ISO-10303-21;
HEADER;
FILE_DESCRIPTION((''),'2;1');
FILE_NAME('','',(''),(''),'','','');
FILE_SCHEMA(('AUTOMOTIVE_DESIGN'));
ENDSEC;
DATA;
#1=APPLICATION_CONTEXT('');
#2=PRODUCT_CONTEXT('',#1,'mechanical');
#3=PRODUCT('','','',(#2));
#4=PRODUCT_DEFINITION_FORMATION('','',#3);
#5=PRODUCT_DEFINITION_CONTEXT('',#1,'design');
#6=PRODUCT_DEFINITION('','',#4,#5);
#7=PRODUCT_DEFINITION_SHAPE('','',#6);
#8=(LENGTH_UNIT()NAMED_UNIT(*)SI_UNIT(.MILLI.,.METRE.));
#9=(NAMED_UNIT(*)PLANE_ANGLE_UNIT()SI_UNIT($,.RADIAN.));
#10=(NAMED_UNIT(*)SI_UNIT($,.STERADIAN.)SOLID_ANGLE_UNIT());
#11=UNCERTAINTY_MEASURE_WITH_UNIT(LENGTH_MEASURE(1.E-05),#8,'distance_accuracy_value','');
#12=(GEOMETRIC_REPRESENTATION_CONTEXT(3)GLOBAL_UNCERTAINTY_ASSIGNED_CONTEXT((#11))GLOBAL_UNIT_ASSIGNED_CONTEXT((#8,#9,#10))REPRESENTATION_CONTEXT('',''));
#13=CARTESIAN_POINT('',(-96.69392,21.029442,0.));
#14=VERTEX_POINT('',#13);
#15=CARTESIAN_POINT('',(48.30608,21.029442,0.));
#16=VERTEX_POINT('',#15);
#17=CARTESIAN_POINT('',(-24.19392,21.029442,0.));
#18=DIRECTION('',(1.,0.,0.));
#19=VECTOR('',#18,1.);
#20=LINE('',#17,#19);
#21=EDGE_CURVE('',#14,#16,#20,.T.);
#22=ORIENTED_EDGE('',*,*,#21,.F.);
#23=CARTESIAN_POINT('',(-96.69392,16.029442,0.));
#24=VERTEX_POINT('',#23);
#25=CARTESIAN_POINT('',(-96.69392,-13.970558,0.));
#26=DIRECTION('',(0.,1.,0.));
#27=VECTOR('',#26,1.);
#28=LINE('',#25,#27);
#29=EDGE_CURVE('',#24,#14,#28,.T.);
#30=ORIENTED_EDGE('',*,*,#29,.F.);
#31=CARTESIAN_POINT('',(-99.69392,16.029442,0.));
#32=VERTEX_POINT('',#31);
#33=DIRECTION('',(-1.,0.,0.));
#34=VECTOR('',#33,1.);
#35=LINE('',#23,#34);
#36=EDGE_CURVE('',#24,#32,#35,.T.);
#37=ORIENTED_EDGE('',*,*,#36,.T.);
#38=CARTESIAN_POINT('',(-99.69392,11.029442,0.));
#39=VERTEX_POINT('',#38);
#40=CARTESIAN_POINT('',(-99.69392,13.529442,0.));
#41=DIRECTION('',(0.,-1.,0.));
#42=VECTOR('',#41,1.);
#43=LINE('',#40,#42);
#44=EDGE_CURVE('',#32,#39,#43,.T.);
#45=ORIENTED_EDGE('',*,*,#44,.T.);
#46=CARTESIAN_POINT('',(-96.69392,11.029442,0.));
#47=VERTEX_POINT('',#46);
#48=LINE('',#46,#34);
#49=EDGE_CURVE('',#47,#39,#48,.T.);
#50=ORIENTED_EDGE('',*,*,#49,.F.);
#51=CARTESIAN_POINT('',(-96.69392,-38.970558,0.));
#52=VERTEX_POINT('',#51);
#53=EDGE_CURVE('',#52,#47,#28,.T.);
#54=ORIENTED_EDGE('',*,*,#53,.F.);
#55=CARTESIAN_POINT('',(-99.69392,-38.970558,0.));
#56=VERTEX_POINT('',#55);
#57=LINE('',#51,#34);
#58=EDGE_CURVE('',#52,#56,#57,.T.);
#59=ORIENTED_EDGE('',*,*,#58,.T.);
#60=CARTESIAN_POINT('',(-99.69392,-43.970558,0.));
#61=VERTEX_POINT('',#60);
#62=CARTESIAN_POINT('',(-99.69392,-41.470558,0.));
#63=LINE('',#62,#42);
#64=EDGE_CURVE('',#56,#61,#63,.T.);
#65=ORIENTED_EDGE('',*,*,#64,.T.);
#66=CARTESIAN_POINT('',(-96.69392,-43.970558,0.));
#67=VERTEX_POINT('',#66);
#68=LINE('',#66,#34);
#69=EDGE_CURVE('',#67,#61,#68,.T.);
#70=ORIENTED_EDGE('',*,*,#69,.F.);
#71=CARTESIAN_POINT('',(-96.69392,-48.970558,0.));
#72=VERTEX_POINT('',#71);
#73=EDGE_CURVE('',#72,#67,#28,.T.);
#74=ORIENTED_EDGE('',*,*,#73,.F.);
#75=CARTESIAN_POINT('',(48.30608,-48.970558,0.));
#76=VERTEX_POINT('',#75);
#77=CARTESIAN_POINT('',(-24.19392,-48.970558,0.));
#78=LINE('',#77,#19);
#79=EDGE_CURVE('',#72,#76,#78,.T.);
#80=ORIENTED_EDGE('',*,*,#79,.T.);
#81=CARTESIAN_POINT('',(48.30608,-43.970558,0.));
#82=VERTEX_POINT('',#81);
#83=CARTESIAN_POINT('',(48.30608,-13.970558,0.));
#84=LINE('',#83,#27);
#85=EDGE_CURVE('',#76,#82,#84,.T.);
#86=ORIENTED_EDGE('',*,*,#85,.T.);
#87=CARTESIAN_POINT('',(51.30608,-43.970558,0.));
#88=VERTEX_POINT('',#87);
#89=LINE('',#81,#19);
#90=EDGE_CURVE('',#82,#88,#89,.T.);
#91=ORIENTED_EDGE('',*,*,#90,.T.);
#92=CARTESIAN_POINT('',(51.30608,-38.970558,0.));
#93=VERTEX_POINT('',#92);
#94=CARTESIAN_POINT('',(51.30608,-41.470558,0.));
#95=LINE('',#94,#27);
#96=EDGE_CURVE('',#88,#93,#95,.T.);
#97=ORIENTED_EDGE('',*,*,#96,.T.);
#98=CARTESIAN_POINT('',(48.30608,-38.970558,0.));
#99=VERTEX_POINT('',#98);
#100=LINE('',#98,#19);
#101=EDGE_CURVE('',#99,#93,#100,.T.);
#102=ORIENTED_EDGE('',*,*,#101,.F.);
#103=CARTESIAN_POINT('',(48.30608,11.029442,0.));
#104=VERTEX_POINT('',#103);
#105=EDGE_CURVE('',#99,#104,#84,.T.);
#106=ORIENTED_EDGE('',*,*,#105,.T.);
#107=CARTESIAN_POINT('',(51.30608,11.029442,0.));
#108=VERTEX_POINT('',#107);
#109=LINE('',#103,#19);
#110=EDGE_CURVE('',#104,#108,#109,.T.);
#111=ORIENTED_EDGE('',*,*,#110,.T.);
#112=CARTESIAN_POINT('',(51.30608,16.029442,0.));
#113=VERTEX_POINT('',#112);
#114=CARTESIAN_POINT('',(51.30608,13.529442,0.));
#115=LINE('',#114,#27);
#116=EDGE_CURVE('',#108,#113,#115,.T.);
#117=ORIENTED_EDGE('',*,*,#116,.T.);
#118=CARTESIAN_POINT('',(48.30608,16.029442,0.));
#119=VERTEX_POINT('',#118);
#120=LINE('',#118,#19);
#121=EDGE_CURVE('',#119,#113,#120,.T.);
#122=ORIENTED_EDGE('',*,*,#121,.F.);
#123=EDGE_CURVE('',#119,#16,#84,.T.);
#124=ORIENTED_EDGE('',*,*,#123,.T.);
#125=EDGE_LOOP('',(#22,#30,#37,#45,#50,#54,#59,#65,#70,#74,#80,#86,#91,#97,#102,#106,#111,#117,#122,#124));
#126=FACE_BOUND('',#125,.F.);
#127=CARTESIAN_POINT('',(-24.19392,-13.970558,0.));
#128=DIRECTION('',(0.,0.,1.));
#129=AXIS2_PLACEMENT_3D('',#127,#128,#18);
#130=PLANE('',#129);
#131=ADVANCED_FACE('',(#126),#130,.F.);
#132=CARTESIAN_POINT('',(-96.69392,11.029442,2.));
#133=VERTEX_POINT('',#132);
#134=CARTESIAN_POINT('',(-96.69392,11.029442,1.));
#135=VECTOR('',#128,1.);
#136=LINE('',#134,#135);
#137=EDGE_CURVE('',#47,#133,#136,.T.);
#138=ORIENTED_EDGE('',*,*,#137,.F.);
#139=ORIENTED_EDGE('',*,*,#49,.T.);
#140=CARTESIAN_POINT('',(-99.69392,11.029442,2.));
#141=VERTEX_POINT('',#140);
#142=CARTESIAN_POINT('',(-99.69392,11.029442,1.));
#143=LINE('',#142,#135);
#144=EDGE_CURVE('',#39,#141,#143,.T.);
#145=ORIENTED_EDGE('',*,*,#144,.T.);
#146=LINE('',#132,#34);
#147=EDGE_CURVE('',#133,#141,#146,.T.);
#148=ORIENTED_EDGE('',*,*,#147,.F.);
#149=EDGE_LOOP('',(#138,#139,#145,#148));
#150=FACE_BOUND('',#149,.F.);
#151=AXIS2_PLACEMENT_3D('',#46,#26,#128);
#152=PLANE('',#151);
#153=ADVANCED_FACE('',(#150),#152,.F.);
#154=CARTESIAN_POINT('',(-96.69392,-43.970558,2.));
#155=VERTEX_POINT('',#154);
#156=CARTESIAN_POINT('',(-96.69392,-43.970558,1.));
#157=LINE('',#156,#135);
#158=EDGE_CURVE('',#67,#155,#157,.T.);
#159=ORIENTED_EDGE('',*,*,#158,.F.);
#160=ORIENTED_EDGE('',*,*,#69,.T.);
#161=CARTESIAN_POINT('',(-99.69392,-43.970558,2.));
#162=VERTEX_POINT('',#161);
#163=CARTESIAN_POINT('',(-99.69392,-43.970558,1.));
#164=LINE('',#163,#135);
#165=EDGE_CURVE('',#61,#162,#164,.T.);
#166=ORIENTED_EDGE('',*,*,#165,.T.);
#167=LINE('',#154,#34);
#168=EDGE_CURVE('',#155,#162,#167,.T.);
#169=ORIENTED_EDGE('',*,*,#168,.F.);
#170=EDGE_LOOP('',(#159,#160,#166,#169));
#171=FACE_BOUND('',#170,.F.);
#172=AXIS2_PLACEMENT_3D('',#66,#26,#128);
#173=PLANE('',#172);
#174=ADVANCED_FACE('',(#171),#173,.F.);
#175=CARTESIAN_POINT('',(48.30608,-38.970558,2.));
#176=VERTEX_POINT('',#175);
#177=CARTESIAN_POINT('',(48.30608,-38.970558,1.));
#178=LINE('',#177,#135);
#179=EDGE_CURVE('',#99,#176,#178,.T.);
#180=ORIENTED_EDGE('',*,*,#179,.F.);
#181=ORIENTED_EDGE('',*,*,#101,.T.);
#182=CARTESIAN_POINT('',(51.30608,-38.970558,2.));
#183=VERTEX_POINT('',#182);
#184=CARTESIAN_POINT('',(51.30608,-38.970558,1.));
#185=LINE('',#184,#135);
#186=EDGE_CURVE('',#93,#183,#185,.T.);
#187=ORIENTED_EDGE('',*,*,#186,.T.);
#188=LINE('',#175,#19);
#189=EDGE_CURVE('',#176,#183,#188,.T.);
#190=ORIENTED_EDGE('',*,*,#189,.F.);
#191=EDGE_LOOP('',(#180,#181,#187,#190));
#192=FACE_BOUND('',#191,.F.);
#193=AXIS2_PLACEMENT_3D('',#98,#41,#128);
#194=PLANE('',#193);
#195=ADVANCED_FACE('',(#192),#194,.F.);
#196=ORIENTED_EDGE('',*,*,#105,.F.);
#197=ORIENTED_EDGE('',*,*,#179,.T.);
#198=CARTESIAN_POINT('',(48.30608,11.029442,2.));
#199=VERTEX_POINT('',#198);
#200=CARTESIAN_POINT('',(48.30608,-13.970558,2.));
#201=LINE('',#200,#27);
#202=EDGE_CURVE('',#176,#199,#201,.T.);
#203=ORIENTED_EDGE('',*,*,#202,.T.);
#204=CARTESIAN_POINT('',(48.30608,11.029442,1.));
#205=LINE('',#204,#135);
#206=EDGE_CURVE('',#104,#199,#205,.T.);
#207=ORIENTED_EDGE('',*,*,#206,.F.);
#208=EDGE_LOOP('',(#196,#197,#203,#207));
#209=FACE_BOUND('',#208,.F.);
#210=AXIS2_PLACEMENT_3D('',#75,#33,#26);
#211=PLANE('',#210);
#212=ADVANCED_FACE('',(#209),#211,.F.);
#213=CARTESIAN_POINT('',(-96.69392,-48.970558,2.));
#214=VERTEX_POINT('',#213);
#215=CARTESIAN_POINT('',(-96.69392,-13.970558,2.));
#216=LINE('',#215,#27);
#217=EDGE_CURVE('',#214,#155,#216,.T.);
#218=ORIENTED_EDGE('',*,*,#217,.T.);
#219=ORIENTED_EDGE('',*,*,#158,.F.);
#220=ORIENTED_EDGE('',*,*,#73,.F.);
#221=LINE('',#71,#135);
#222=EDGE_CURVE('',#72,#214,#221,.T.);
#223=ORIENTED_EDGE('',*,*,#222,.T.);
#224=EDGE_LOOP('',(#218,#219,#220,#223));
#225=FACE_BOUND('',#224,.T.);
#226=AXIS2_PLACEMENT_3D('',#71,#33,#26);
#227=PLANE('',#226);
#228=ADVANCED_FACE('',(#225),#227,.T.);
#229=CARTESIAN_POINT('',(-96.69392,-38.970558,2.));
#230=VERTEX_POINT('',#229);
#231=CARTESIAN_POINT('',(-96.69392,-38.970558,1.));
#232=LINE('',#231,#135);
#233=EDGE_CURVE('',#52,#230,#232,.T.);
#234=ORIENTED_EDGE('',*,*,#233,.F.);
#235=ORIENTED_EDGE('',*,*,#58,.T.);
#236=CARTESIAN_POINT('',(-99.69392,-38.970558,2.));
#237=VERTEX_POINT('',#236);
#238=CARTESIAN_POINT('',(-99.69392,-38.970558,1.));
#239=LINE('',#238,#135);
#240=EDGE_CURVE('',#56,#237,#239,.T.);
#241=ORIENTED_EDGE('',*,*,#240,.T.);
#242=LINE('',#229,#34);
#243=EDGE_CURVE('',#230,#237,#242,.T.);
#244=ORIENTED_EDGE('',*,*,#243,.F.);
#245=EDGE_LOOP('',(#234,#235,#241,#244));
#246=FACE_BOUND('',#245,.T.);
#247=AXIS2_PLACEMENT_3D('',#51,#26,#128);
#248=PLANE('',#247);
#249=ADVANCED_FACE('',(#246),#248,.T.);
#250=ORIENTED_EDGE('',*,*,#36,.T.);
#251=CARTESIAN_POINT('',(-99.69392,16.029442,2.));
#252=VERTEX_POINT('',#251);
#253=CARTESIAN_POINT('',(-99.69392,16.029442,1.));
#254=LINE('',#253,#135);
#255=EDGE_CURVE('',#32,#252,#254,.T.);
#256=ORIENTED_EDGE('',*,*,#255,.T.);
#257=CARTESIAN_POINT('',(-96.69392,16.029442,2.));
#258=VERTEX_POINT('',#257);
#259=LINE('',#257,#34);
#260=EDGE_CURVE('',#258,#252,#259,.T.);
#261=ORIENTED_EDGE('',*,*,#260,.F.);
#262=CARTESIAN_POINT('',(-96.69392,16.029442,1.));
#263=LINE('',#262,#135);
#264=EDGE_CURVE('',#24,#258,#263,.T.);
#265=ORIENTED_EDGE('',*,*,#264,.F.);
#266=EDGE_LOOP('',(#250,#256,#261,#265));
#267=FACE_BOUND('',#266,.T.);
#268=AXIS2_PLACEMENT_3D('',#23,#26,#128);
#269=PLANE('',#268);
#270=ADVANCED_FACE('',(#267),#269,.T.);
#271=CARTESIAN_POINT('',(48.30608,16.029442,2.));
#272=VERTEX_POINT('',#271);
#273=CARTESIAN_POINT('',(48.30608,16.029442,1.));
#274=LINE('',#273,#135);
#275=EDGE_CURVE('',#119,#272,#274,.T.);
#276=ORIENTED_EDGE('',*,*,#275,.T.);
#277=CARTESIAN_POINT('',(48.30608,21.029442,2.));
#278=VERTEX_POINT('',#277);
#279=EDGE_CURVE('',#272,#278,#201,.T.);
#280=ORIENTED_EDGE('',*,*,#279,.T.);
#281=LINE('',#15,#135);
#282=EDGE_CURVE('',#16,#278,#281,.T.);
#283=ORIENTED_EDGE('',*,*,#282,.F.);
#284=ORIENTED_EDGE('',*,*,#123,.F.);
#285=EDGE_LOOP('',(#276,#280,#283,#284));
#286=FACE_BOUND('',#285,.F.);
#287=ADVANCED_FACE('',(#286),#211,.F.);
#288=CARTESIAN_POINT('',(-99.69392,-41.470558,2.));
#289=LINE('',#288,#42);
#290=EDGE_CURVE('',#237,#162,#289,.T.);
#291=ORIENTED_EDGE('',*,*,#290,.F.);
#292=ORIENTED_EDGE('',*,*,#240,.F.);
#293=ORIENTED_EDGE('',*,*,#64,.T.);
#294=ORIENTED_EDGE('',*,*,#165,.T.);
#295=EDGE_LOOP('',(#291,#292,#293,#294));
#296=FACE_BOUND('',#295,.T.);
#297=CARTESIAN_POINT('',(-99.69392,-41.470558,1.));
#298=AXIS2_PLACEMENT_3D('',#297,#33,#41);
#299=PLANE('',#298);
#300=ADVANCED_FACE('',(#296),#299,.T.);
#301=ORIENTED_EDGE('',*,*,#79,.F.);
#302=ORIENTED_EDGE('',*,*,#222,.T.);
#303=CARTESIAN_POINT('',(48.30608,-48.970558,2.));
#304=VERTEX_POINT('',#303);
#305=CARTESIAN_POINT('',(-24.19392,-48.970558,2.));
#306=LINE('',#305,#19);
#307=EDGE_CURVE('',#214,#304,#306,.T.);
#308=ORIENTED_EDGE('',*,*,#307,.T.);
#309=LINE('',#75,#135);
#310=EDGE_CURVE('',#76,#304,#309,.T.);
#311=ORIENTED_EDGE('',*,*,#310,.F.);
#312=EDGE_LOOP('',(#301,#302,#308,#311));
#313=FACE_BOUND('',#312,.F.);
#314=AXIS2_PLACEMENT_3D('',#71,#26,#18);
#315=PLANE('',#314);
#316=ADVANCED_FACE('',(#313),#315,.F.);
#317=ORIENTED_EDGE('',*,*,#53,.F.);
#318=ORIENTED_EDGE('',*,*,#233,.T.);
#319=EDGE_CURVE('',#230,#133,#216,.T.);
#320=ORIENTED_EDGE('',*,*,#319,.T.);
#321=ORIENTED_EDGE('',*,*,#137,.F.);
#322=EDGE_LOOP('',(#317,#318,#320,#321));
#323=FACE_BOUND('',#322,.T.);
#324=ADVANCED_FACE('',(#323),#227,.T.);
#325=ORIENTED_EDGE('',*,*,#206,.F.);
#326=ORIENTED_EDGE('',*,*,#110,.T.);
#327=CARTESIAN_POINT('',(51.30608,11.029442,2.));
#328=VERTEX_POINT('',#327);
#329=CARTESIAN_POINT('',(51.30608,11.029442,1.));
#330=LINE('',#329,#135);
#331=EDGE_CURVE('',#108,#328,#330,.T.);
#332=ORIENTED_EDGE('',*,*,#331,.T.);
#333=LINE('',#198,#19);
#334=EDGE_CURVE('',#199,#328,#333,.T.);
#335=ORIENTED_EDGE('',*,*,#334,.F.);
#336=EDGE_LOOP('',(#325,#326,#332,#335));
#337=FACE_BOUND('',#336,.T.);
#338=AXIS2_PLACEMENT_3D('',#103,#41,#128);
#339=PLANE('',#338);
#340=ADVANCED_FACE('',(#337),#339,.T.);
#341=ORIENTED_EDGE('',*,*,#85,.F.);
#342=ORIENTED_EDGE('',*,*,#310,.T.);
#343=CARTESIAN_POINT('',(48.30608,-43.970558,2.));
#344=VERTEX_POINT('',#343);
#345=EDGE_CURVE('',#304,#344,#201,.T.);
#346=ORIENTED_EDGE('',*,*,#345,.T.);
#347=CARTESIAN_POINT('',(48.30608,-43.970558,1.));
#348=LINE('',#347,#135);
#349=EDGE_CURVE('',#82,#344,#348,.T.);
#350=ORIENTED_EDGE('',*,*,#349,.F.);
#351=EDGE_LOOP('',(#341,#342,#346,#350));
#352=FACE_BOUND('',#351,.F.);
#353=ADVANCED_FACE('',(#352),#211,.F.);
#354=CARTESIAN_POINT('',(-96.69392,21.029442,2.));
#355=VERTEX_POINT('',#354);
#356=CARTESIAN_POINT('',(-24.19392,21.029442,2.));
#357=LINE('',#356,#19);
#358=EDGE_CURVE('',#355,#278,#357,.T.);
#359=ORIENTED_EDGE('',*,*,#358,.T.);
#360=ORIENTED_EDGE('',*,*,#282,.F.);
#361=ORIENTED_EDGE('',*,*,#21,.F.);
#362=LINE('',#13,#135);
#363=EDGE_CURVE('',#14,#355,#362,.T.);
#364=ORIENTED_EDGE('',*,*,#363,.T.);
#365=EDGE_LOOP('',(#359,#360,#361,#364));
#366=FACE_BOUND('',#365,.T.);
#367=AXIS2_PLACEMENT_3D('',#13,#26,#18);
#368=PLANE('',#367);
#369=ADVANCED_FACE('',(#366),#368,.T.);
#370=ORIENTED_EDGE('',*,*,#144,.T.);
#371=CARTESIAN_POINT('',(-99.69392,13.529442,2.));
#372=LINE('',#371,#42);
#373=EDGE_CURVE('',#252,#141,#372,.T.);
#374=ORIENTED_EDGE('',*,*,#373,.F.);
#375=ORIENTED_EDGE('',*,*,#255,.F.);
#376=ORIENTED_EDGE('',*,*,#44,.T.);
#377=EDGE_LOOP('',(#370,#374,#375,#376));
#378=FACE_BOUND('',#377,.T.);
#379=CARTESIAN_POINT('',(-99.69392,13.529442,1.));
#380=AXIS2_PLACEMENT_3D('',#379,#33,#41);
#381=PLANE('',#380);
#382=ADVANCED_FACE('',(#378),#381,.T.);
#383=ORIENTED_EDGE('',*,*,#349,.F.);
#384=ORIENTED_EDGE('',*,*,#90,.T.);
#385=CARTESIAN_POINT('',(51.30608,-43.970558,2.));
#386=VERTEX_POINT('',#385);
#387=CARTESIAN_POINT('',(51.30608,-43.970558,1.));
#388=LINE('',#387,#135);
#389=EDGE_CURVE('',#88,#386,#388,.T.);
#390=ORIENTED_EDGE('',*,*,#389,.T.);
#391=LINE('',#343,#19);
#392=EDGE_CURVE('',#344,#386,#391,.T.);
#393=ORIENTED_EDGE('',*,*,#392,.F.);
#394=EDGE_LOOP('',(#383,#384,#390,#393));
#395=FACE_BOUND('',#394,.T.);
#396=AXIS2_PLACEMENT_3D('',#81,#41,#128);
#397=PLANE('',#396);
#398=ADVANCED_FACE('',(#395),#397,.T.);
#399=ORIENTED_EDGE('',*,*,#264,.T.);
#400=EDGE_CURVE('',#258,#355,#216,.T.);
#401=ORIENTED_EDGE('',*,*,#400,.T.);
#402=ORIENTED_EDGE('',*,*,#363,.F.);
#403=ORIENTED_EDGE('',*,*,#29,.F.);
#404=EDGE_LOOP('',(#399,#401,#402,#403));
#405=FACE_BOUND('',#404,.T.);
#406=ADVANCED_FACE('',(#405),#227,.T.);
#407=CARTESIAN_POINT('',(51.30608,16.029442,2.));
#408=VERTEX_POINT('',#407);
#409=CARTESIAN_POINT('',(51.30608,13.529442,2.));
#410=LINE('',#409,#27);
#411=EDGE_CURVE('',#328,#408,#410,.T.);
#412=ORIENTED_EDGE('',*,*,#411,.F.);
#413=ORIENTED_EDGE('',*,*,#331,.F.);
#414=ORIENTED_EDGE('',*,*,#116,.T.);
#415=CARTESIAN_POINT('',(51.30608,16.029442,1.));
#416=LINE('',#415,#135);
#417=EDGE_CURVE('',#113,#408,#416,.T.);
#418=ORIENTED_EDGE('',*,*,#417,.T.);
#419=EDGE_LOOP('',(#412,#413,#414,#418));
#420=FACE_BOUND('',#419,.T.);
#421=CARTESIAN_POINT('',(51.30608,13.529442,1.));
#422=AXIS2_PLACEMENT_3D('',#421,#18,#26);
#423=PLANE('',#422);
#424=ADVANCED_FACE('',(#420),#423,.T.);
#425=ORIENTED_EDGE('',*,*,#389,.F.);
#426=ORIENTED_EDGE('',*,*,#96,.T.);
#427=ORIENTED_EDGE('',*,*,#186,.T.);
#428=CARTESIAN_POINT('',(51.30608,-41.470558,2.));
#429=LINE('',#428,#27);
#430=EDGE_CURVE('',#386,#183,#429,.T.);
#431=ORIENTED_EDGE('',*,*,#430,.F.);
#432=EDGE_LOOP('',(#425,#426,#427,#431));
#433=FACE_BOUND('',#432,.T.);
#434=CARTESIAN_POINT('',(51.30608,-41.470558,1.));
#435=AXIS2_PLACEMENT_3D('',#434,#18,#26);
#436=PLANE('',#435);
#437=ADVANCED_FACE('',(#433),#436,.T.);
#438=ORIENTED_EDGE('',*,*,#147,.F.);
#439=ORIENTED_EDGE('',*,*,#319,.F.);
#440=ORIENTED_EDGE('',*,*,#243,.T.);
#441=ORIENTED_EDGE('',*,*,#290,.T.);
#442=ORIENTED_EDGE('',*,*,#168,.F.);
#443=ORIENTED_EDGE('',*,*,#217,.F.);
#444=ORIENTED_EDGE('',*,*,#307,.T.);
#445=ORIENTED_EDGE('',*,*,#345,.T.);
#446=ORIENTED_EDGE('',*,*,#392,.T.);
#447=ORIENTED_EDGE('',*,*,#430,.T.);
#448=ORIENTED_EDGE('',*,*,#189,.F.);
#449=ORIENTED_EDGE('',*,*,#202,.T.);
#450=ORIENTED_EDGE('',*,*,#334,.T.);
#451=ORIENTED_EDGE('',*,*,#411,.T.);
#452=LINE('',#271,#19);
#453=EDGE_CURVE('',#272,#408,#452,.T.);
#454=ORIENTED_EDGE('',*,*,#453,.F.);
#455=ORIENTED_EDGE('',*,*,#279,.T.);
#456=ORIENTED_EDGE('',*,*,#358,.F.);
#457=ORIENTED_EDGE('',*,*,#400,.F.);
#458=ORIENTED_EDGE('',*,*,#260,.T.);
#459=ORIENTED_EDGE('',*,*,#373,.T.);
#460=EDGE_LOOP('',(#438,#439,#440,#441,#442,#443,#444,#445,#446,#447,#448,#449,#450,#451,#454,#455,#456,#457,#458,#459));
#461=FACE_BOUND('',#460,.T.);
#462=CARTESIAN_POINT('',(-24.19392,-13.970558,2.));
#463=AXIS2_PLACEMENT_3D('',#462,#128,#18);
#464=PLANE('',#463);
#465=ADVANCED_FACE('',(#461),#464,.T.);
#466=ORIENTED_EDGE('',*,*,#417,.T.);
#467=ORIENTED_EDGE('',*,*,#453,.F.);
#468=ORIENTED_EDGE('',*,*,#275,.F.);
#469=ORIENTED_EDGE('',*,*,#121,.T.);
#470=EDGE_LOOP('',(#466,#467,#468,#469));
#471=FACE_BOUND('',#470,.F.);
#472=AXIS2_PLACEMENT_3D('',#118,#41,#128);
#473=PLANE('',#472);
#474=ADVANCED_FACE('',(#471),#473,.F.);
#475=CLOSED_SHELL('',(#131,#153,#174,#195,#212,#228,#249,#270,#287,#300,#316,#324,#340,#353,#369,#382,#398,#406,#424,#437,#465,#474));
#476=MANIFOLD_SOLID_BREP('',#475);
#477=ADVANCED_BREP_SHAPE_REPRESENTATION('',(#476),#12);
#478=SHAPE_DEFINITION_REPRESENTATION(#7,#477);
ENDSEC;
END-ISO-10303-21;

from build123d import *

# Parameters (mm, degrees)
F0_W     = 145
F0_H     = 70
F1_DEPTH = 2
F2_W     = 5
F2_H     = 2
F3_DEPTH = 3
F4_W     = 5
F4_H     = 2
F5_DEPTH = 3


with BuildPart() as f1:
    # F0 (on Top) → F1 (new body)
    with BuildSketch(Plane.XY):
        with Locations((-24.19392, -13.970558)):
            Rectangle(F0_W, F0_H)
    extrude(amount=F1_DEPTH)

    # F2 (on face) → F3 (join)
    with BuildSketch(Plane(origin=(-96.69392, 0, 0), x_dir=(0, -1, 0), z_dir=(-1, 0, 0))):
        with Locations((-13.529442, 1)):
            Rectangle(F2_W, F2_H)
        with Locations((41.470558, 1)):
            Rectangle(F2_W, F2_H)
    extrude(amount=F3_DEPTH)

    # F4 (on face) → F5 (join)
    with BuildSketch(Plane.YZ.offset(48.30608)):
        with Locations((13.529442, 1)):
            Rectangle(F4_W, F4_H)
        with Locations((-41.470558, 1)):
            Rectangle(F4_W, F4_H)
    extrude(amount=F5_DEPTH)


solid = f1.part
